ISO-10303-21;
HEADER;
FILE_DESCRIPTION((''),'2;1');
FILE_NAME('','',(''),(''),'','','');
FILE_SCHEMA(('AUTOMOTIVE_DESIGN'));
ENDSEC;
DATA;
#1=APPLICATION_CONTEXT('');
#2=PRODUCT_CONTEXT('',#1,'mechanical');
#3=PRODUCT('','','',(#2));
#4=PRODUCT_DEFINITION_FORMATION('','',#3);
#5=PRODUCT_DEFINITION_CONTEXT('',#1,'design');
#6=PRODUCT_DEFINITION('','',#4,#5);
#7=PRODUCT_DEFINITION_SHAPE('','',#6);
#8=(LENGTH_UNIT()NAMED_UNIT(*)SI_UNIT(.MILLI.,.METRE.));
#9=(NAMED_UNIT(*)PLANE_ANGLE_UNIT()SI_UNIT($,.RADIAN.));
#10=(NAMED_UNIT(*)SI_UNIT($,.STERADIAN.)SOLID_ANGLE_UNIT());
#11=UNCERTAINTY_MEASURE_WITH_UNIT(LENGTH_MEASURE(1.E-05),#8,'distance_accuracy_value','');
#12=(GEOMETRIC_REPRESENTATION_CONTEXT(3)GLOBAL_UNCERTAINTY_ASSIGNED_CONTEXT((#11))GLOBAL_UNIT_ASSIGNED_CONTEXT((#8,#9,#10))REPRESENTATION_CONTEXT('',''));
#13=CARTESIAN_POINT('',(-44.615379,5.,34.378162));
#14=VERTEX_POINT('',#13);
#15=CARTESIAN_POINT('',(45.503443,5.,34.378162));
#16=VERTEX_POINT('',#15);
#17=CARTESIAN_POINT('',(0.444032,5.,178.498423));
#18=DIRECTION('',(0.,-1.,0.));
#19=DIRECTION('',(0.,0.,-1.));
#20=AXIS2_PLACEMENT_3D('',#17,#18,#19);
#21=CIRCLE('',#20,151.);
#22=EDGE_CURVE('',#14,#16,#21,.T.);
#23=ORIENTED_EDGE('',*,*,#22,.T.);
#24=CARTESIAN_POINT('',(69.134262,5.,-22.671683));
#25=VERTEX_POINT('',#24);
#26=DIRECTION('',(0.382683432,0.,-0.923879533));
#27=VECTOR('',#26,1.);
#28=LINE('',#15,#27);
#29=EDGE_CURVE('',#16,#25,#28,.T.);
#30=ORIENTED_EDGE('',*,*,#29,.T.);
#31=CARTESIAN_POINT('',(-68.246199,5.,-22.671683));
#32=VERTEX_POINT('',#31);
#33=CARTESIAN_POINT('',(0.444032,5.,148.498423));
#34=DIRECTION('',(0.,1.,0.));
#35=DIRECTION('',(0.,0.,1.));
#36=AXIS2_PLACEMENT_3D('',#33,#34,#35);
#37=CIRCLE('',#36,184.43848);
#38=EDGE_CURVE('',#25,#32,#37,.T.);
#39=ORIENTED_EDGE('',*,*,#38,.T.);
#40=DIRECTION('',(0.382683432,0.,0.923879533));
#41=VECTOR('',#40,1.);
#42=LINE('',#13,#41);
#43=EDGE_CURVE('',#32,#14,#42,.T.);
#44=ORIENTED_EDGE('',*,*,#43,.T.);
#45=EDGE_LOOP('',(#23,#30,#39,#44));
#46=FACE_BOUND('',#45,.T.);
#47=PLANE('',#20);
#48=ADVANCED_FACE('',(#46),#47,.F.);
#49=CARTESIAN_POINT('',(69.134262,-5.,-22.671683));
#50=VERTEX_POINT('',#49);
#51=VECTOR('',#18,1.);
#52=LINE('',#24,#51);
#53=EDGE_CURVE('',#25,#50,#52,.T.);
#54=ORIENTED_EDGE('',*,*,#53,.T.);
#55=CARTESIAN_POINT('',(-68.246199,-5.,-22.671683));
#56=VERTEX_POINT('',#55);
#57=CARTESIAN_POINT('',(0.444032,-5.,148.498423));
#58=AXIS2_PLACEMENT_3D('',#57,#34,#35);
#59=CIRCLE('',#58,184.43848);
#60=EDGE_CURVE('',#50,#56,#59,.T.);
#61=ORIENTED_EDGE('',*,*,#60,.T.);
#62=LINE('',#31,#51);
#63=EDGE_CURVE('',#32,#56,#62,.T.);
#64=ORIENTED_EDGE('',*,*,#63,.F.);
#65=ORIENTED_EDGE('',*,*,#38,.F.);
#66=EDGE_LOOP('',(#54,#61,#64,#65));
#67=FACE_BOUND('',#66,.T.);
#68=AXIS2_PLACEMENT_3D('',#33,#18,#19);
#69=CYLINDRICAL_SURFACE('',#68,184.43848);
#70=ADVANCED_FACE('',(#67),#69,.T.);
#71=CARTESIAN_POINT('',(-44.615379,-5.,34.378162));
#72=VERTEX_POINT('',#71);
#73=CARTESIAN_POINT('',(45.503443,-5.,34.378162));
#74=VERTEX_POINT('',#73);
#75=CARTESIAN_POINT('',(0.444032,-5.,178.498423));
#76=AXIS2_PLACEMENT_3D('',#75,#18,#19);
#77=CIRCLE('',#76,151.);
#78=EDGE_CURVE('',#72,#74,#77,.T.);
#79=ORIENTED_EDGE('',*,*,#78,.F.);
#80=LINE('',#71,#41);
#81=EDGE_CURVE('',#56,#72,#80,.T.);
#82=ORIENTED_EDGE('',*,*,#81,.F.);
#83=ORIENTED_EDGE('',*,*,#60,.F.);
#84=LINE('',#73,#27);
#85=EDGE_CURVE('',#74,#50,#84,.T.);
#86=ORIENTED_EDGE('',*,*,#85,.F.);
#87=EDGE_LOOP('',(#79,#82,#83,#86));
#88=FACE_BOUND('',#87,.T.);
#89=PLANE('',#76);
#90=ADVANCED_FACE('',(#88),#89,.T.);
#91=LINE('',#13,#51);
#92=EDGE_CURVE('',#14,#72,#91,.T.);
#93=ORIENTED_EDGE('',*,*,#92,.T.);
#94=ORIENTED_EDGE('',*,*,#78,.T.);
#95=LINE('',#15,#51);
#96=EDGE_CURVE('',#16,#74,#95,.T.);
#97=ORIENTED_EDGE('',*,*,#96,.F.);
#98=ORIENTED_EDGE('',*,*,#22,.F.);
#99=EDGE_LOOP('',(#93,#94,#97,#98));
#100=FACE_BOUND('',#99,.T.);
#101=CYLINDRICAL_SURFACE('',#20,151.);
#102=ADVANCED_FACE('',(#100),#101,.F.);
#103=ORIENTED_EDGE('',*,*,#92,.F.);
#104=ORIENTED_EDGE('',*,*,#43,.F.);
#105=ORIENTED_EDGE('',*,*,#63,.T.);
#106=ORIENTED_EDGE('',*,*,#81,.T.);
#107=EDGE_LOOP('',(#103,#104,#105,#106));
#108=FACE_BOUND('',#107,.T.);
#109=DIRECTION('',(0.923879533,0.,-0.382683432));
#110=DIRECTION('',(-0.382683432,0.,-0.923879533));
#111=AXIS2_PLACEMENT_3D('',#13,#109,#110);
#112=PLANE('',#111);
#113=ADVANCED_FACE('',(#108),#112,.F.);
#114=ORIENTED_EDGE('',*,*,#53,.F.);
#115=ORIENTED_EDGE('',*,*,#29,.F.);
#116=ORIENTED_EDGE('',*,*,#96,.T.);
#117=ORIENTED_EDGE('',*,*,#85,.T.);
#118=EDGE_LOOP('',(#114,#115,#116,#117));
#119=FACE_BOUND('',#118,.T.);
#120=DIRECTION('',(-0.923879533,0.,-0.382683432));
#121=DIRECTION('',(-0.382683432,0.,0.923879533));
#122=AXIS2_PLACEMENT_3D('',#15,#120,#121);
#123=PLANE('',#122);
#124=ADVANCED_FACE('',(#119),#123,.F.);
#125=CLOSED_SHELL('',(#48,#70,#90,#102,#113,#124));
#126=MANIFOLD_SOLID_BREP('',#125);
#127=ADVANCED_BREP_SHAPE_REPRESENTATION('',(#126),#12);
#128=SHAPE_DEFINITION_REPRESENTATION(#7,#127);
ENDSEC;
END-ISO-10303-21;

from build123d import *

# Parameters (mm, degrees)
BOSS_EXTRUDE1_DEPTH = 5


with BuildPart() as part:
    # Sketch2 → Boss-Extrude1 (new, symmetric)
    with BuildSketch(Plane(origin=(0, 0, 0), x_dir=(1, 0, 0), z_dir=(0, 1, 0))):
        with BuildLine():
            Line((-44.61537926, -34.378162107), (-68.246198751, 22.6716828))
            ThreePointArc((-68.246198751, 22.6716828), (0.444031685, 35.940056953), (69.134262122, 22.6716828))
            Line((69.134262122, 22.6716828), (45.50344263, -34.378162107))
            ThreePointArc((45.50344263, -34.378162107), (0.444031685, -27.498422603), (-44.61537926, -34.378162107))
        make_face()
    extrude(amount=BOSS_EXTRUDE1_DEPTH, both=True)


solid = part.part
